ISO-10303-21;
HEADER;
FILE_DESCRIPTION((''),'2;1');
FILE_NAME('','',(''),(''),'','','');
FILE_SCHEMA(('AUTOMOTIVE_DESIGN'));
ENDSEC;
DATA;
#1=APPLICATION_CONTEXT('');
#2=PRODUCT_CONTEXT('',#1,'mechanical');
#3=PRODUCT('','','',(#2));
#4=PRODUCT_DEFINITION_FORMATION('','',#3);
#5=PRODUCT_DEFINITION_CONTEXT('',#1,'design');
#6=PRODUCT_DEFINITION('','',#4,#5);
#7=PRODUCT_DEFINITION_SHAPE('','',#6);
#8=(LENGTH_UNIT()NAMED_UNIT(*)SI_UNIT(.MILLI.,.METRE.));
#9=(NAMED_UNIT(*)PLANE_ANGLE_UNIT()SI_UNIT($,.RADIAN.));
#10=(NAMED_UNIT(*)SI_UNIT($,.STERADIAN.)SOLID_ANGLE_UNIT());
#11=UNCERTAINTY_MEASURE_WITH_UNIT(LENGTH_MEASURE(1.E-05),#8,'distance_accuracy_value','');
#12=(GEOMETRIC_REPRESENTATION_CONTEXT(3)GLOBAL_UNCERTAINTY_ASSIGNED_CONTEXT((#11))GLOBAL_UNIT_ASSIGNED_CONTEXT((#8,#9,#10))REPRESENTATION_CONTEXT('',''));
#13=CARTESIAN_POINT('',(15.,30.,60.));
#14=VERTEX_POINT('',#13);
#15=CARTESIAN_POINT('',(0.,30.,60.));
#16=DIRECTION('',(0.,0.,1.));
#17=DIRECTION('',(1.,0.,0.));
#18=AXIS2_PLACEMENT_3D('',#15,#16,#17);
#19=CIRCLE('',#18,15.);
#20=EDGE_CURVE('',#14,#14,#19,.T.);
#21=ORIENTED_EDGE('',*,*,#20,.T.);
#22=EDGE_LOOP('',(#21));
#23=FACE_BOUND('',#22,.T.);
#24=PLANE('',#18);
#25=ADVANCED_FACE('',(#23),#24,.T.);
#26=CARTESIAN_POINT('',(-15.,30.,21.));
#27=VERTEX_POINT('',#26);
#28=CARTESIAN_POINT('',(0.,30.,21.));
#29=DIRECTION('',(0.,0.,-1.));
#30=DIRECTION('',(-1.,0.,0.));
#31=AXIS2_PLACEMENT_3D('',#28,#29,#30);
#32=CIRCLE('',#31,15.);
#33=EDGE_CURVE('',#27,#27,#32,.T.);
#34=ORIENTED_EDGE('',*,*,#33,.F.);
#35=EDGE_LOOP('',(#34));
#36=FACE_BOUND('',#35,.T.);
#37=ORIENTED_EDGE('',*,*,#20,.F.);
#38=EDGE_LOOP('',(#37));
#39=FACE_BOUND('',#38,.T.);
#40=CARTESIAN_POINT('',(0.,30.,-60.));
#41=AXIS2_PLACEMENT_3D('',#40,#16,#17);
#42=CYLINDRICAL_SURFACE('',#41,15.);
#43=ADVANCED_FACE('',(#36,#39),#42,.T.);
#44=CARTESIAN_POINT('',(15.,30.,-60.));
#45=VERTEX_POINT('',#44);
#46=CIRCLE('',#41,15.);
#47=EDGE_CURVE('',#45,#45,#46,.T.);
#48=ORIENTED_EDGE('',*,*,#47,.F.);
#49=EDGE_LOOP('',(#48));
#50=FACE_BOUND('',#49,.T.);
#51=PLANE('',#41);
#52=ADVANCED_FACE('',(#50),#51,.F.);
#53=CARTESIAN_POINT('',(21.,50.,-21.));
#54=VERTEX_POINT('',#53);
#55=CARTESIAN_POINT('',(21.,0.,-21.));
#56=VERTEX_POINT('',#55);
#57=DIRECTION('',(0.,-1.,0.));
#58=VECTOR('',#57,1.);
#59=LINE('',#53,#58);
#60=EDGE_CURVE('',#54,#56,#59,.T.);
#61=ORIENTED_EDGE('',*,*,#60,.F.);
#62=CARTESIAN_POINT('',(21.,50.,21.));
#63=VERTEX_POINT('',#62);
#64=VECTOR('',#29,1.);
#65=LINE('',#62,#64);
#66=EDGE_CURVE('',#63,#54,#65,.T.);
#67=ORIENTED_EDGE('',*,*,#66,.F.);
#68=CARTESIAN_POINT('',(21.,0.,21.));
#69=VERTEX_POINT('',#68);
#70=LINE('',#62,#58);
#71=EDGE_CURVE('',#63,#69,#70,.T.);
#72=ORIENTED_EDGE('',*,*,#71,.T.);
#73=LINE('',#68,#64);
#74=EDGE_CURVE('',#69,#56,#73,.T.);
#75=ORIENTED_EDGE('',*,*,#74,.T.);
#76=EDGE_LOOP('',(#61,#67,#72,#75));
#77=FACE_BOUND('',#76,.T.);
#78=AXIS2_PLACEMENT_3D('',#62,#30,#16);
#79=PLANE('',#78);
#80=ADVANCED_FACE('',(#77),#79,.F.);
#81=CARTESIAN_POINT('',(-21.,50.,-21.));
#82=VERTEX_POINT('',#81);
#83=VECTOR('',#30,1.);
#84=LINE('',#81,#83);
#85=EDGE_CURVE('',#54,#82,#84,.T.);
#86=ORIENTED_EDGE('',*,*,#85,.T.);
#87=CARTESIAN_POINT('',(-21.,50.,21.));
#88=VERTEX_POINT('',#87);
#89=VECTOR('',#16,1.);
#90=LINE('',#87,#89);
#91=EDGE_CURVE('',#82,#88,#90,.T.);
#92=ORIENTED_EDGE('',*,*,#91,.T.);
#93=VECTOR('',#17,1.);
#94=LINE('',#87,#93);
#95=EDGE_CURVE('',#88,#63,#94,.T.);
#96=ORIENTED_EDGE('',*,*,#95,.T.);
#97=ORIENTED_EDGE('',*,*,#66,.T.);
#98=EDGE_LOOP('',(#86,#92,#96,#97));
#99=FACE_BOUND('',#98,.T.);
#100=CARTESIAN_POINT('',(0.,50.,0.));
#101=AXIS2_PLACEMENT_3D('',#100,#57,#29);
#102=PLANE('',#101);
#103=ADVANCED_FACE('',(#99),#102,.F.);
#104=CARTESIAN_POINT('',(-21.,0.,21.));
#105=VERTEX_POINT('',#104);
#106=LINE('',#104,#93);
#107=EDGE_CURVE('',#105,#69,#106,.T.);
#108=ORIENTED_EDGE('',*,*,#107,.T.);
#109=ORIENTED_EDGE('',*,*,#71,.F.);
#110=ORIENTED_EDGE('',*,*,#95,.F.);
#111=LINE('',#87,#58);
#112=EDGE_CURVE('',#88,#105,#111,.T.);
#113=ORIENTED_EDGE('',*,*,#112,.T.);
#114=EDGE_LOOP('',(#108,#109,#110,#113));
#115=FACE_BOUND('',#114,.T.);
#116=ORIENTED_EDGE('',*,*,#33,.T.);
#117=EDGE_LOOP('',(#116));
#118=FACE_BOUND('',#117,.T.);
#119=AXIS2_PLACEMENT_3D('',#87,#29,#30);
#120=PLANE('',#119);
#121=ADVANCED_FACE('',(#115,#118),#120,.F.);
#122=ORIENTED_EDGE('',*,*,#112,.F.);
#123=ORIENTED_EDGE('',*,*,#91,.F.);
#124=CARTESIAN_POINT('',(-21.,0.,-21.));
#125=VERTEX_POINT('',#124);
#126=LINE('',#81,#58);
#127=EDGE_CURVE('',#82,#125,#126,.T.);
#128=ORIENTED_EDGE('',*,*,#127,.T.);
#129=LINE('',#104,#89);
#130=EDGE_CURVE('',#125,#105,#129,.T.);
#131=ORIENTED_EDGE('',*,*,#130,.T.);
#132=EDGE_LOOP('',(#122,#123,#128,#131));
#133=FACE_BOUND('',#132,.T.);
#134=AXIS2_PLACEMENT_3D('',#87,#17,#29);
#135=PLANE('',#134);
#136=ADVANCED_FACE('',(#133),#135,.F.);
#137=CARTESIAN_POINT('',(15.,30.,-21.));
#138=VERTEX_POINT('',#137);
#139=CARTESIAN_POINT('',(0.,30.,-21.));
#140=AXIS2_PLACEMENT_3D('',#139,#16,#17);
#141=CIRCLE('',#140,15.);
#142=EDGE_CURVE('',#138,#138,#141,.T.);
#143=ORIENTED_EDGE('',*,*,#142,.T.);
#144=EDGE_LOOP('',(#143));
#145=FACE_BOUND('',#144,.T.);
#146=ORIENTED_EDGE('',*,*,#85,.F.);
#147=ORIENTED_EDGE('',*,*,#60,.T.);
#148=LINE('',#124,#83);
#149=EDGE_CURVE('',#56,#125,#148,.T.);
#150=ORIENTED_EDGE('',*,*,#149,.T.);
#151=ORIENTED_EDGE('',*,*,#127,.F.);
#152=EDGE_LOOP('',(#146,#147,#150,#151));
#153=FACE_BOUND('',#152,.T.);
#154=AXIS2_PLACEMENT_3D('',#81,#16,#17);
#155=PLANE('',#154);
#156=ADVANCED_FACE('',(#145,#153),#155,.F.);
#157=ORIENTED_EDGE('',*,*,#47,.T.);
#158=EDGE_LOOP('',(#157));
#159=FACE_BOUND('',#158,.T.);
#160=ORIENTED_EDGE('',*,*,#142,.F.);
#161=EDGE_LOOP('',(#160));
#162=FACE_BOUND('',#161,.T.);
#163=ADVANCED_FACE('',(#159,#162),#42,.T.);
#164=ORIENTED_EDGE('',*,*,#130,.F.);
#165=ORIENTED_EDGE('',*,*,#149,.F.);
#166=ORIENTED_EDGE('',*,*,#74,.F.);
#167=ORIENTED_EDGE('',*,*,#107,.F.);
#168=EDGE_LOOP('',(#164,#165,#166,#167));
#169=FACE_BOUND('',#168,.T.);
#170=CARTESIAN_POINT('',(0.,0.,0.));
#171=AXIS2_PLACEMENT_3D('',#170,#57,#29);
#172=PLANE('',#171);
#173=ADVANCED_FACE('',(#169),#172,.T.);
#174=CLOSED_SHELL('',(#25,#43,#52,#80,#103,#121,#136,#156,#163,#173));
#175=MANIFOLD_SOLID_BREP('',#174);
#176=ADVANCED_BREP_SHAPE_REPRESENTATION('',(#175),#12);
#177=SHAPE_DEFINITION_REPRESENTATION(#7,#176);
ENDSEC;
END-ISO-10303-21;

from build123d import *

# Parameters (mm, degrees)
SKETCH1_W                = 42
SKETCH1_H                = 42
BOSS_EXTRUDE1_DEPTH      = 50
BOSS_EXTRUDE2_DEPTH      = 60
BOSS_EXTRUDE2_DEPTH_BACK = 60
SKETCH2_R                = 15


with BuildPart() as part:
    # Sketch1 → Boss-Extrude1 (new body)
    with BuildSketch(Plane(origin=(0, 0, 0), x_dir=(1, 0, 0), z_dir=(0, 1, 0))):
        Rectangle(SKETCH1_W, SKETCH1_H)
    extrude(amount=BOSS_EXTRUDE1_DEPTH)

    # Sketch2 → Boss-Extrude2 (add, two sides: drawn at the far end of the back side and taken through both)
    with BuildSketch(Plane.XY.offset(-BOSS_EXTRUDE2_DEPTH_BACK)):
        with Locations((0, 30)):
            Circle(SKETCH2_R)
    extrude(amount=BOSS_EXTRUDE2_DEPTH + BOSS_EXTRUDE2_DEPTH_BACK)


solid = part.part
